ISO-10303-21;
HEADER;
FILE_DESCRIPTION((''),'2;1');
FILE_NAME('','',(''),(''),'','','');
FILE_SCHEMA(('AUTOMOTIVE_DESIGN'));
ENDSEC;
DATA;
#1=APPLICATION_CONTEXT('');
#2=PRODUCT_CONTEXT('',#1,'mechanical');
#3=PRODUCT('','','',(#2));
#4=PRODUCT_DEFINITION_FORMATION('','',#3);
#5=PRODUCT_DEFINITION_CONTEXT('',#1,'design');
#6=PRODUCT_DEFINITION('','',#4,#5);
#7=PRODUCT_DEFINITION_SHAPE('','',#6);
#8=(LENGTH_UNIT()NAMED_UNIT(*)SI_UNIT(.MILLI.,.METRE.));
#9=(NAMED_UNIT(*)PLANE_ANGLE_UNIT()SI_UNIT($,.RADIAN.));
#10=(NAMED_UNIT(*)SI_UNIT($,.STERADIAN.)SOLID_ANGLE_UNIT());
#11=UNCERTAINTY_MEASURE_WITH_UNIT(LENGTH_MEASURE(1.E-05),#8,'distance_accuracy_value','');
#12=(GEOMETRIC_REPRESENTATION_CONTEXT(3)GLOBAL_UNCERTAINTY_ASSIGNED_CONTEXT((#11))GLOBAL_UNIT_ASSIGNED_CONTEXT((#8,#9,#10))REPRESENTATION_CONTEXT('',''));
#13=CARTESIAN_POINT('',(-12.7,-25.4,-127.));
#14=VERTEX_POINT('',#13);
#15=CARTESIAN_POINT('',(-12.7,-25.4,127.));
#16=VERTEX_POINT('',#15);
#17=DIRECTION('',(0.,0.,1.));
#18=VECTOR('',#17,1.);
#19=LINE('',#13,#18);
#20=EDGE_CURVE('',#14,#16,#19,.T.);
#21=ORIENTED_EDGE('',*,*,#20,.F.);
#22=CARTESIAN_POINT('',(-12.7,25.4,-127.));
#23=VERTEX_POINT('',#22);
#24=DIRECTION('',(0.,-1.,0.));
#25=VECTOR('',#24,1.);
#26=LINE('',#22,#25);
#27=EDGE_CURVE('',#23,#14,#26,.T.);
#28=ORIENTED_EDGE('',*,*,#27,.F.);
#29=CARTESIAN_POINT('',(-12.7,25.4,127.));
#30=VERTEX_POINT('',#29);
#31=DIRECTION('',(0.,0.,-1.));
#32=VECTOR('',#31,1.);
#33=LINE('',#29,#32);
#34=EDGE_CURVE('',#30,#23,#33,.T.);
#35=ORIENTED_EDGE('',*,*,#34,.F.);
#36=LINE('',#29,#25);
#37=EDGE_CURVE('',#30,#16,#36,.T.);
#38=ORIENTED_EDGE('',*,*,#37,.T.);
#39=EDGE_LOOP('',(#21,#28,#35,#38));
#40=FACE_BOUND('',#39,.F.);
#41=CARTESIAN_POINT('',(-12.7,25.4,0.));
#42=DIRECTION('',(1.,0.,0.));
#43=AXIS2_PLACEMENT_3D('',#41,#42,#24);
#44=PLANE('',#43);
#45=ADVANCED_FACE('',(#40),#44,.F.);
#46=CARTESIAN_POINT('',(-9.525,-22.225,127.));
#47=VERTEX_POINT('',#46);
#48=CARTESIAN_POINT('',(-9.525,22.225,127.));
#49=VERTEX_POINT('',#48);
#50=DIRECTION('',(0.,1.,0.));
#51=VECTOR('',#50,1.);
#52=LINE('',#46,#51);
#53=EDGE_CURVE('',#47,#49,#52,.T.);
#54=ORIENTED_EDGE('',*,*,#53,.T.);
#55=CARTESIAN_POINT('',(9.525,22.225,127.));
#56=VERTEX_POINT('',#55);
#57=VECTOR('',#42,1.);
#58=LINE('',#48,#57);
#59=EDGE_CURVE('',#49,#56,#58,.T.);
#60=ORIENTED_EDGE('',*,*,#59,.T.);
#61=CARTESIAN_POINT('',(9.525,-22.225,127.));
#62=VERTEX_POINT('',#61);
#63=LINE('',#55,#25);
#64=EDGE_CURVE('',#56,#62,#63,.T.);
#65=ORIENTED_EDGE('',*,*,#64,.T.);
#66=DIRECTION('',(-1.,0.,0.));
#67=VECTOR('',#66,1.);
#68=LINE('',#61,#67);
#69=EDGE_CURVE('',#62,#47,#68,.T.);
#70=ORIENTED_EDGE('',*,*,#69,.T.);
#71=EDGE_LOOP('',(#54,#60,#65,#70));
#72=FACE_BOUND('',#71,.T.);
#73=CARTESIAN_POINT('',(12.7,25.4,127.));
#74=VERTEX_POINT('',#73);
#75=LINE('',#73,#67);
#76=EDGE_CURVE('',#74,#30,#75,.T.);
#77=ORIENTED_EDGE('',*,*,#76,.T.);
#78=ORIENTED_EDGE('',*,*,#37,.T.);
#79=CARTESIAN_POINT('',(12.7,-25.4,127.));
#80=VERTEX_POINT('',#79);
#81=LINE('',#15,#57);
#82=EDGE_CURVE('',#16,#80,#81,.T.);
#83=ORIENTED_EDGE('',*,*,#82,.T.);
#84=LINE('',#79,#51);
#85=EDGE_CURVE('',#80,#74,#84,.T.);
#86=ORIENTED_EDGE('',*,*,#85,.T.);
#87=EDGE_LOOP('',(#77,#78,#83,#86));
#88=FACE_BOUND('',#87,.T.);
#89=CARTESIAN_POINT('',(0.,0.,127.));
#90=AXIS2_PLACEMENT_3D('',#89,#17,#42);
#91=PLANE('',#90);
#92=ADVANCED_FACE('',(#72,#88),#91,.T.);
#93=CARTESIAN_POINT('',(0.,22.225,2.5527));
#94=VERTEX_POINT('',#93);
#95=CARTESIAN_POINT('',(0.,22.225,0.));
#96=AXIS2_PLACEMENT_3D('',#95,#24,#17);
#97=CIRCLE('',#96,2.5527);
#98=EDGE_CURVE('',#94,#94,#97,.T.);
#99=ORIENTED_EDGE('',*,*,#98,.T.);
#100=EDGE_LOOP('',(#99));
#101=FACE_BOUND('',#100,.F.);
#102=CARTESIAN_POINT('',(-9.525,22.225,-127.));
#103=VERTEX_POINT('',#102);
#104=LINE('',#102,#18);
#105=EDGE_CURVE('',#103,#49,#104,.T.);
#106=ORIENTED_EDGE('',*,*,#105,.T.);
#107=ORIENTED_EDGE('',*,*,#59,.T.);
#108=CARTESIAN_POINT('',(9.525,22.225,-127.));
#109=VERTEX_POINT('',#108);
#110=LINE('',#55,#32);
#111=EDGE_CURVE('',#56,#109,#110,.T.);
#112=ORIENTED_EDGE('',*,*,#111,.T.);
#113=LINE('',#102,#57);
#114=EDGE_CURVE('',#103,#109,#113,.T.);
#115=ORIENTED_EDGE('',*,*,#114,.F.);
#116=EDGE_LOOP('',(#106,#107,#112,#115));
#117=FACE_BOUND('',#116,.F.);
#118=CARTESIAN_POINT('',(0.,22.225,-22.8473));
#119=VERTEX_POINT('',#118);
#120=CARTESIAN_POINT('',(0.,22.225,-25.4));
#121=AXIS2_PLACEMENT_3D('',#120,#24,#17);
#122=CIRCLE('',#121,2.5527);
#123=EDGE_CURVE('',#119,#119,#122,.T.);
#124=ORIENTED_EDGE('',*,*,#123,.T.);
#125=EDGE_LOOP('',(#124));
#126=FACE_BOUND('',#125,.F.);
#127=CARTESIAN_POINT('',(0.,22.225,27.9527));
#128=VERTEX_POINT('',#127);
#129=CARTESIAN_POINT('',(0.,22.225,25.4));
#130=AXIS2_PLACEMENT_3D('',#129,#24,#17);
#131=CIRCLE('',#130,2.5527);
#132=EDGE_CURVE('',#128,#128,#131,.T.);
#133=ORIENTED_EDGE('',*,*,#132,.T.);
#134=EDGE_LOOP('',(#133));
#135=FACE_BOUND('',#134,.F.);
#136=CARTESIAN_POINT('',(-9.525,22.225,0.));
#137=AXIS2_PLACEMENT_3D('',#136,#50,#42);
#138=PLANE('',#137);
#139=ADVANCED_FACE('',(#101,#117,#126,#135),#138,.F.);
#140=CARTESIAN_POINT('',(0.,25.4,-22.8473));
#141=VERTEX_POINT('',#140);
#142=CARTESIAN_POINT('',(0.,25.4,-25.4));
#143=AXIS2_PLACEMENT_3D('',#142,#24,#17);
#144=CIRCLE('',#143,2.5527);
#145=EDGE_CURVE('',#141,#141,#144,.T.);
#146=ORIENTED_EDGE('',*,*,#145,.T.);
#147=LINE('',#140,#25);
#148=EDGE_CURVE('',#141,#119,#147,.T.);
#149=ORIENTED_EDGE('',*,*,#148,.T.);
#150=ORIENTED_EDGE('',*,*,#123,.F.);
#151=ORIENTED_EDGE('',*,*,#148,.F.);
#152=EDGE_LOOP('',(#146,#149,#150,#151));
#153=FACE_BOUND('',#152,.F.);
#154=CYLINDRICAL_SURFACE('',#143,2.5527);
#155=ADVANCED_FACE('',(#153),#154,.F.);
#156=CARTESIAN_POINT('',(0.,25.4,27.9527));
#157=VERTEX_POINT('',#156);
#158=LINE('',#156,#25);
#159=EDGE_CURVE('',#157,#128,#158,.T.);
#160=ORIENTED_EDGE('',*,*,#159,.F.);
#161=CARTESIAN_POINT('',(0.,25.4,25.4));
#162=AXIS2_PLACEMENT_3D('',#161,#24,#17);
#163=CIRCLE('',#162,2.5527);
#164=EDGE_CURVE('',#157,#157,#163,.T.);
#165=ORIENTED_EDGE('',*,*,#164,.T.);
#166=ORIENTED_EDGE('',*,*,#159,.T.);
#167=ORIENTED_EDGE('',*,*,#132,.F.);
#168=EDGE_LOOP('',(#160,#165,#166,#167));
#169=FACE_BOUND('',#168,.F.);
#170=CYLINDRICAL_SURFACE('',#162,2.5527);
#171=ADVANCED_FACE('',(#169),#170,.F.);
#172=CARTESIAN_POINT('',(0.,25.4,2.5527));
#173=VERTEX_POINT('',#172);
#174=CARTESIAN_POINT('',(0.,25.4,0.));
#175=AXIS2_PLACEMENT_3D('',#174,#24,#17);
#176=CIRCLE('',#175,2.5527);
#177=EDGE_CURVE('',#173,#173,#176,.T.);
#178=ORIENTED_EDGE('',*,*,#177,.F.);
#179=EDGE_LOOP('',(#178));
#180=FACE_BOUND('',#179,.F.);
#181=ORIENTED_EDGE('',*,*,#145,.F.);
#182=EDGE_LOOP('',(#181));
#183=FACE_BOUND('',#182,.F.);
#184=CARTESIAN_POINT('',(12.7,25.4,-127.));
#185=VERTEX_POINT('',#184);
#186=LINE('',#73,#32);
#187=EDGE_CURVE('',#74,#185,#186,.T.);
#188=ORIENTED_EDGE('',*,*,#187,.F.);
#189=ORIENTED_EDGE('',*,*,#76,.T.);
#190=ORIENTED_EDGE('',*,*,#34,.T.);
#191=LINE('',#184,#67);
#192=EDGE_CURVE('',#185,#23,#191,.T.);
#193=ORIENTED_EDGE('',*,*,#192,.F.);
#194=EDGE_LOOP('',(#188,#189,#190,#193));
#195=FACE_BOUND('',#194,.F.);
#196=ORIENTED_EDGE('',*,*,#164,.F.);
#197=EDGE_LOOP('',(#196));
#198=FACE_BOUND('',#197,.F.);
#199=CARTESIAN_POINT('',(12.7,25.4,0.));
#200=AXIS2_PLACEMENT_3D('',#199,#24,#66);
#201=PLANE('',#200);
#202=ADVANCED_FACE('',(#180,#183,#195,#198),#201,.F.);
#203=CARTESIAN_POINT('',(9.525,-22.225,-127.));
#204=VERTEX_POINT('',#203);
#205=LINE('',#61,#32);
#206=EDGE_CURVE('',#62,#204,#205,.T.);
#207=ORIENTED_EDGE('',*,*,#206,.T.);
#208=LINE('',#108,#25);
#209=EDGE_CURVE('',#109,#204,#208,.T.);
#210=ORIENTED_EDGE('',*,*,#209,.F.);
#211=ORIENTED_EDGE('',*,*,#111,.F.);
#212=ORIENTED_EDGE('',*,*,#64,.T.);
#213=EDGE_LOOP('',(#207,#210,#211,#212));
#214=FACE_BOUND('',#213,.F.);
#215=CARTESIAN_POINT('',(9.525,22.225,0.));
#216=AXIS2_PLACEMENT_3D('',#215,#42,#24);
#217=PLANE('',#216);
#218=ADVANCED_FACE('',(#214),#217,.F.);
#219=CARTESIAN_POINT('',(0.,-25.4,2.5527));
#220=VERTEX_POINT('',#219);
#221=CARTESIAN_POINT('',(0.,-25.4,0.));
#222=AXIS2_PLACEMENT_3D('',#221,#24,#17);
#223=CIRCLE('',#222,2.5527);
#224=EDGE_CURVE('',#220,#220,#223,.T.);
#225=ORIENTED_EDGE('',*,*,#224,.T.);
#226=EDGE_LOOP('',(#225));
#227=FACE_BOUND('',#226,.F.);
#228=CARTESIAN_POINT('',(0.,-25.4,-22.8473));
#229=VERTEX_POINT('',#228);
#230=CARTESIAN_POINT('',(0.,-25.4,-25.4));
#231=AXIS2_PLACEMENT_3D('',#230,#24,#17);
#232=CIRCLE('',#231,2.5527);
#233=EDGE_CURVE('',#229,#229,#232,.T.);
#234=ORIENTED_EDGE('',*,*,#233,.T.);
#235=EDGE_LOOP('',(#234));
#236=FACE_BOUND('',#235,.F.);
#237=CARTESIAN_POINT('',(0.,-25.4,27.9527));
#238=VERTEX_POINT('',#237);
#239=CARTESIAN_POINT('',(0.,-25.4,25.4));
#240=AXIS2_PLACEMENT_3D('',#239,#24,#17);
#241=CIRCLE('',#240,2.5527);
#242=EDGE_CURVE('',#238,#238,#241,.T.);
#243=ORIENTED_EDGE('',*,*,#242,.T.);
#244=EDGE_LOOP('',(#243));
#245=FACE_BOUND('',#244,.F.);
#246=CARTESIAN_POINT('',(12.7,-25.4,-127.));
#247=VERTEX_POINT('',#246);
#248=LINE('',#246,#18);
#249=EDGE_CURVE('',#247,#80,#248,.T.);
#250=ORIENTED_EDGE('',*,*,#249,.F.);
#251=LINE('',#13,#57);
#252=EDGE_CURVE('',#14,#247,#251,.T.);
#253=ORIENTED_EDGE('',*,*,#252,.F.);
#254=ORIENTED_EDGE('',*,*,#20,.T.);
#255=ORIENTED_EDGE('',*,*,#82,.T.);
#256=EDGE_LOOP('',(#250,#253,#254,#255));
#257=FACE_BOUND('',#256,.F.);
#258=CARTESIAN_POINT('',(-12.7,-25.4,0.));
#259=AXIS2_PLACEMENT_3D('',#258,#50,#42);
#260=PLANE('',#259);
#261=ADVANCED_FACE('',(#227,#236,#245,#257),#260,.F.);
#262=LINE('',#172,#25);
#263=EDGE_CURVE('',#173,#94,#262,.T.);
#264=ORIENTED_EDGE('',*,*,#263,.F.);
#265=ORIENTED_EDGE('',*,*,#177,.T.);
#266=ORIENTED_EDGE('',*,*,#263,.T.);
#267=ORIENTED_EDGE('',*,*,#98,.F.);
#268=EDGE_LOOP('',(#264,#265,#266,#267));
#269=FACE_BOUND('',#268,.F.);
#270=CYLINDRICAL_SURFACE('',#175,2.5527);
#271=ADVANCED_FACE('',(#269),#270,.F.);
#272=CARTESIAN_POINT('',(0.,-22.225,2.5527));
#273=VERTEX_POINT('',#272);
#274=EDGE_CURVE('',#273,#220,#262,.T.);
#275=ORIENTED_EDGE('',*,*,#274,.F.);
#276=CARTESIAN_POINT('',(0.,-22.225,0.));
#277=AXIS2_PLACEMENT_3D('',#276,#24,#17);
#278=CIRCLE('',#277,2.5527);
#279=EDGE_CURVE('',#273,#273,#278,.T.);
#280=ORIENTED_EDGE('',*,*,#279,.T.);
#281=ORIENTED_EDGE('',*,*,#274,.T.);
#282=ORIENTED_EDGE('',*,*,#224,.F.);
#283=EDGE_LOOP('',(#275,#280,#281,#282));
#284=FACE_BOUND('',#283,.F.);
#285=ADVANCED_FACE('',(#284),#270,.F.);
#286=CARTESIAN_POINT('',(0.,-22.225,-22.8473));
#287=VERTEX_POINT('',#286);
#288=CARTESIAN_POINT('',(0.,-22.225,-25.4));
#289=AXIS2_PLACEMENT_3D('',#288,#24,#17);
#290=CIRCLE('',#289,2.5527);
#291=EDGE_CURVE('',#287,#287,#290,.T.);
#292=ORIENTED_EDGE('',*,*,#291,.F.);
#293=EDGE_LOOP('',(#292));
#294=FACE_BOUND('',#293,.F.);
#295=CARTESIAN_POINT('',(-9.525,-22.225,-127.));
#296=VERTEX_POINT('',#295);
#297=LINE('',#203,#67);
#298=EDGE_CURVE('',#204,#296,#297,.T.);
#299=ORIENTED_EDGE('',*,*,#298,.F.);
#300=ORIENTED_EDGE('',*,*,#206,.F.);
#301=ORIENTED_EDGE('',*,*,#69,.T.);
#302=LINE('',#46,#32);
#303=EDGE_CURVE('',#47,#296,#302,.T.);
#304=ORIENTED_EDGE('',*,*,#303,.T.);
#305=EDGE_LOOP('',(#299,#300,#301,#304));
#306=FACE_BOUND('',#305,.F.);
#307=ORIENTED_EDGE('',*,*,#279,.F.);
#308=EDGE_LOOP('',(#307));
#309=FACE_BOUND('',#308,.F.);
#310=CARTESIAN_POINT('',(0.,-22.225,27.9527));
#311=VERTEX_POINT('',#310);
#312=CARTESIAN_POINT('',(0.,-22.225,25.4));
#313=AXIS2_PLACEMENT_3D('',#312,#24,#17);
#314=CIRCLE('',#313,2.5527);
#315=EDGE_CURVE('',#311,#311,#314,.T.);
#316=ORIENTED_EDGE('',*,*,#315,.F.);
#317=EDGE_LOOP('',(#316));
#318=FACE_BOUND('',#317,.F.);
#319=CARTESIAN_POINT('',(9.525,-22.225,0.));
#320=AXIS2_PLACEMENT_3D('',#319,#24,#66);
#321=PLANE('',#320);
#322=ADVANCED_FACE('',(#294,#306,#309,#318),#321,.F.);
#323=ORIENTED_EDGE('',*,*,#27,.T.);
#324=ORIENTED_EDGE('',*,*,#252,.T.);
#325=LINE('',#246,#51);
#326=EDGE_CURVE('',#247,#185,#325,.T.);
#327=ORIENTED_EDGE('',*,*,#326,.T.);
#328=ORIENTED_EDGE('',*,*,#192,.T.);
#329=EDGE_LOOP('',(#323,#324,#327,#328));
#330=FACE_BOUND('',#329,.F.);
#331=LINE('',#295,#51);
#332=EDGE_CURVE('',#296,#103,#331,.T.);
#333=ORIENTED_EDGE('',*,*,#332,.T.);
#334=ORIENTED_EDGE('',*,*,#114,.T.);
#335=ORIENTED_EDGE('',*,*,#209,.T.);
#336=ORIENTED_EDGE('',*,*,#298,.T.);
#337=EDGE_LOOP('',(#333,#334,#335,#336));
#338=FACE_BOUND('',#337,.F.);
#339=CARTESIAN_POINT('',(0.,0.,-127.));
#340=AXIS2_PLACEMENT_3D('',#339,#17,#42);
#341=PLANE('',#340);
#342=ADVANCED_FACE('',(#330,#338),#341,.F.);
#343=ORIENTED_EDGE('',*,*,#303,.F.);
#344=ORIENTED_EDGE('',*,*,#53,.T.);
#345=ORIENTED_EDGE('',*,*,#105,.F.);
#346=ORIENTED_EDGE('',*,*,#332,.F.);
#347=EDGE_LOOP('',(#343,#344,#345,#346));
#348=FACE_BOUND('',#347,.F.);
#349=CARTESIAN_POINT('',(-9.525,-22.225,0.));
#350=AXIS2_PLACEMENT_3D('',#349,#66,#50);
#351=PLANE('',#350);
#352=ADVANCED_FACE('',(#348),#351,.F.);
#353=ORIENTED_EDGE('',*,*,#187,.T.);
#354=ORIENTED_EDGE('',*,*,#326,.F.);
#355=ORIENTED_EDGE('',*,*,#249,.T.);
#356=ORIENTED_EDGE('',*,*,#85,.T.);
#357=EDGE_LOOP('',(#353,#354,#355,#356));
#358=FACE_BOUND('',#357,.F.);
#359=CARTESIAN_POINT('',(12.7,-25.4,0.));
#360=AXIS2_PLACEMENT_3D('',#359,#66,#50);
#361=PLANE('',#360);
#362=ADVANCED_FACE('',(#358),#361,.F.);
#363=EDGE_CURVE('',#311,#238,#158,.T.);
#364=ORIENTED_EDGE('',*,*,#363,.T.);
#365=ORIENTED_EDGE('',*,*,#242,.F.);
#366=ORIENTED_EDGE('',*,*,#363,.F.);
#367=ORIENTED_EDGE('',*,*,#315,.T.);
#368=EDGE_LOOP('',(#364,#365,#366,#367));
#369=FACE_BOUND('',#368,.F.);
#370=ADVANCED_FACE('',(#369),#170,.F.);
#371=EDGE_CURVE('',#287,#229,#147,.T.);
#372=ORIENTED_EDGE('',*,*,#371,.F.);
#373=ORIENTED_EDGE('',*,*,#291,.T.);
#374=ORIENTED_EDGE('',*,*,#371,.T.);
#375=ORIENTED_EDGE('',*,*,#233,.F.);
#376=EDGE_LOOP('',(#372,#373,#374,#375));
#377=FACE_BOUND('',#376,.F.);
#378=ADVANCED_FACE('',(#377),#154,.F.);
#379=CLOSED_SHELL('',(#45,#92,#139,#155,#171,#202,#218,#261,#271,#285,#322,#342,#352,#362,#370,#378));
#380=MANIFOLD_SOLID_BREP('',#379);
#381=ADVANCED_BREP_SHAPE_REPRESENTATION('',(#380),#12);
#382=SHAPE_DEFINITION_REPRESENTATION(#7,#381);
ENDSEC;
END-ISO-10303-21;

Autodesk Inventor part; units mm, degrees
ref_plane "YZ Plane" through (0, 0, 0) normal (1, 0, 0) x (0, 1, 0)
ref_plane "XZ Plane" through (0, 0, 0) normal (0, 1, 0) x (-1, 0, 0)
ref_plane "XY Plane" through (0, 0, 0) normal (0, 0, 1) x (1, 0, 0)
sketch "Sketch1" plane through (0, 0, 0) normal (0, 0, 1) x (1, 0, 0)
  line L0 (-12.7, -25.4) -> (12.7, -25.4)
  line L1 (12.7, -25.4) -> (12.7, 25.4)
  line L2 (12.7, 25.4) -> (-12.7, 25.4)
  line L3 (-12.7, 25.4) -> (-12.7, -25.4)
  line L4 (-12.7, -25.4) -> (12.7, 25.4) construction
  line L5 (12.7, -25.4) -> (-12.7, 25.4) construction
  line L6 (-9.525, 22.225) -> (9.525, 22.225)
  line L7 (9.525, 22.225) -> (9.525, -22.225)
  line L8 (9.525, -22.225) -> (-9.525, -22.225)
  line L9 (-9.525, -22.225) -> (-9.525, 22.225)
  point P0 (0, 0)
  dimension "width" = 25.4
  dimension "height" = 50.8
  dimension "thickness" = 3.175
extrude "Extrusion1" add sketch "Sketch1" along normal mid plane 254
sketch "Sketch2" plane through (-12.7, 25.4, 127) normal (0, 1, 0) x (1, 0, 0)
  point P0 (12.7, 127)
  point P1 (12.7, 127)
  point P2 (12.7, 152.4)
  point P3 (12.7, 101.6)
  dimension "d5" = 25.4
  dimension "d6" = 25.4
hole "Hole1" at (0, 25.4, 0) at (0, 25.4, -25.4) at (0, 25.4, 25.4) direction (0, -1, 0) diameter 5.1054 end through all clearance for "Flat Head Machine Screw (82)" size "#10" standard "Ansi Unified Screw Threads"
properties part number "CL3-005" material "Aluminum 6061"
